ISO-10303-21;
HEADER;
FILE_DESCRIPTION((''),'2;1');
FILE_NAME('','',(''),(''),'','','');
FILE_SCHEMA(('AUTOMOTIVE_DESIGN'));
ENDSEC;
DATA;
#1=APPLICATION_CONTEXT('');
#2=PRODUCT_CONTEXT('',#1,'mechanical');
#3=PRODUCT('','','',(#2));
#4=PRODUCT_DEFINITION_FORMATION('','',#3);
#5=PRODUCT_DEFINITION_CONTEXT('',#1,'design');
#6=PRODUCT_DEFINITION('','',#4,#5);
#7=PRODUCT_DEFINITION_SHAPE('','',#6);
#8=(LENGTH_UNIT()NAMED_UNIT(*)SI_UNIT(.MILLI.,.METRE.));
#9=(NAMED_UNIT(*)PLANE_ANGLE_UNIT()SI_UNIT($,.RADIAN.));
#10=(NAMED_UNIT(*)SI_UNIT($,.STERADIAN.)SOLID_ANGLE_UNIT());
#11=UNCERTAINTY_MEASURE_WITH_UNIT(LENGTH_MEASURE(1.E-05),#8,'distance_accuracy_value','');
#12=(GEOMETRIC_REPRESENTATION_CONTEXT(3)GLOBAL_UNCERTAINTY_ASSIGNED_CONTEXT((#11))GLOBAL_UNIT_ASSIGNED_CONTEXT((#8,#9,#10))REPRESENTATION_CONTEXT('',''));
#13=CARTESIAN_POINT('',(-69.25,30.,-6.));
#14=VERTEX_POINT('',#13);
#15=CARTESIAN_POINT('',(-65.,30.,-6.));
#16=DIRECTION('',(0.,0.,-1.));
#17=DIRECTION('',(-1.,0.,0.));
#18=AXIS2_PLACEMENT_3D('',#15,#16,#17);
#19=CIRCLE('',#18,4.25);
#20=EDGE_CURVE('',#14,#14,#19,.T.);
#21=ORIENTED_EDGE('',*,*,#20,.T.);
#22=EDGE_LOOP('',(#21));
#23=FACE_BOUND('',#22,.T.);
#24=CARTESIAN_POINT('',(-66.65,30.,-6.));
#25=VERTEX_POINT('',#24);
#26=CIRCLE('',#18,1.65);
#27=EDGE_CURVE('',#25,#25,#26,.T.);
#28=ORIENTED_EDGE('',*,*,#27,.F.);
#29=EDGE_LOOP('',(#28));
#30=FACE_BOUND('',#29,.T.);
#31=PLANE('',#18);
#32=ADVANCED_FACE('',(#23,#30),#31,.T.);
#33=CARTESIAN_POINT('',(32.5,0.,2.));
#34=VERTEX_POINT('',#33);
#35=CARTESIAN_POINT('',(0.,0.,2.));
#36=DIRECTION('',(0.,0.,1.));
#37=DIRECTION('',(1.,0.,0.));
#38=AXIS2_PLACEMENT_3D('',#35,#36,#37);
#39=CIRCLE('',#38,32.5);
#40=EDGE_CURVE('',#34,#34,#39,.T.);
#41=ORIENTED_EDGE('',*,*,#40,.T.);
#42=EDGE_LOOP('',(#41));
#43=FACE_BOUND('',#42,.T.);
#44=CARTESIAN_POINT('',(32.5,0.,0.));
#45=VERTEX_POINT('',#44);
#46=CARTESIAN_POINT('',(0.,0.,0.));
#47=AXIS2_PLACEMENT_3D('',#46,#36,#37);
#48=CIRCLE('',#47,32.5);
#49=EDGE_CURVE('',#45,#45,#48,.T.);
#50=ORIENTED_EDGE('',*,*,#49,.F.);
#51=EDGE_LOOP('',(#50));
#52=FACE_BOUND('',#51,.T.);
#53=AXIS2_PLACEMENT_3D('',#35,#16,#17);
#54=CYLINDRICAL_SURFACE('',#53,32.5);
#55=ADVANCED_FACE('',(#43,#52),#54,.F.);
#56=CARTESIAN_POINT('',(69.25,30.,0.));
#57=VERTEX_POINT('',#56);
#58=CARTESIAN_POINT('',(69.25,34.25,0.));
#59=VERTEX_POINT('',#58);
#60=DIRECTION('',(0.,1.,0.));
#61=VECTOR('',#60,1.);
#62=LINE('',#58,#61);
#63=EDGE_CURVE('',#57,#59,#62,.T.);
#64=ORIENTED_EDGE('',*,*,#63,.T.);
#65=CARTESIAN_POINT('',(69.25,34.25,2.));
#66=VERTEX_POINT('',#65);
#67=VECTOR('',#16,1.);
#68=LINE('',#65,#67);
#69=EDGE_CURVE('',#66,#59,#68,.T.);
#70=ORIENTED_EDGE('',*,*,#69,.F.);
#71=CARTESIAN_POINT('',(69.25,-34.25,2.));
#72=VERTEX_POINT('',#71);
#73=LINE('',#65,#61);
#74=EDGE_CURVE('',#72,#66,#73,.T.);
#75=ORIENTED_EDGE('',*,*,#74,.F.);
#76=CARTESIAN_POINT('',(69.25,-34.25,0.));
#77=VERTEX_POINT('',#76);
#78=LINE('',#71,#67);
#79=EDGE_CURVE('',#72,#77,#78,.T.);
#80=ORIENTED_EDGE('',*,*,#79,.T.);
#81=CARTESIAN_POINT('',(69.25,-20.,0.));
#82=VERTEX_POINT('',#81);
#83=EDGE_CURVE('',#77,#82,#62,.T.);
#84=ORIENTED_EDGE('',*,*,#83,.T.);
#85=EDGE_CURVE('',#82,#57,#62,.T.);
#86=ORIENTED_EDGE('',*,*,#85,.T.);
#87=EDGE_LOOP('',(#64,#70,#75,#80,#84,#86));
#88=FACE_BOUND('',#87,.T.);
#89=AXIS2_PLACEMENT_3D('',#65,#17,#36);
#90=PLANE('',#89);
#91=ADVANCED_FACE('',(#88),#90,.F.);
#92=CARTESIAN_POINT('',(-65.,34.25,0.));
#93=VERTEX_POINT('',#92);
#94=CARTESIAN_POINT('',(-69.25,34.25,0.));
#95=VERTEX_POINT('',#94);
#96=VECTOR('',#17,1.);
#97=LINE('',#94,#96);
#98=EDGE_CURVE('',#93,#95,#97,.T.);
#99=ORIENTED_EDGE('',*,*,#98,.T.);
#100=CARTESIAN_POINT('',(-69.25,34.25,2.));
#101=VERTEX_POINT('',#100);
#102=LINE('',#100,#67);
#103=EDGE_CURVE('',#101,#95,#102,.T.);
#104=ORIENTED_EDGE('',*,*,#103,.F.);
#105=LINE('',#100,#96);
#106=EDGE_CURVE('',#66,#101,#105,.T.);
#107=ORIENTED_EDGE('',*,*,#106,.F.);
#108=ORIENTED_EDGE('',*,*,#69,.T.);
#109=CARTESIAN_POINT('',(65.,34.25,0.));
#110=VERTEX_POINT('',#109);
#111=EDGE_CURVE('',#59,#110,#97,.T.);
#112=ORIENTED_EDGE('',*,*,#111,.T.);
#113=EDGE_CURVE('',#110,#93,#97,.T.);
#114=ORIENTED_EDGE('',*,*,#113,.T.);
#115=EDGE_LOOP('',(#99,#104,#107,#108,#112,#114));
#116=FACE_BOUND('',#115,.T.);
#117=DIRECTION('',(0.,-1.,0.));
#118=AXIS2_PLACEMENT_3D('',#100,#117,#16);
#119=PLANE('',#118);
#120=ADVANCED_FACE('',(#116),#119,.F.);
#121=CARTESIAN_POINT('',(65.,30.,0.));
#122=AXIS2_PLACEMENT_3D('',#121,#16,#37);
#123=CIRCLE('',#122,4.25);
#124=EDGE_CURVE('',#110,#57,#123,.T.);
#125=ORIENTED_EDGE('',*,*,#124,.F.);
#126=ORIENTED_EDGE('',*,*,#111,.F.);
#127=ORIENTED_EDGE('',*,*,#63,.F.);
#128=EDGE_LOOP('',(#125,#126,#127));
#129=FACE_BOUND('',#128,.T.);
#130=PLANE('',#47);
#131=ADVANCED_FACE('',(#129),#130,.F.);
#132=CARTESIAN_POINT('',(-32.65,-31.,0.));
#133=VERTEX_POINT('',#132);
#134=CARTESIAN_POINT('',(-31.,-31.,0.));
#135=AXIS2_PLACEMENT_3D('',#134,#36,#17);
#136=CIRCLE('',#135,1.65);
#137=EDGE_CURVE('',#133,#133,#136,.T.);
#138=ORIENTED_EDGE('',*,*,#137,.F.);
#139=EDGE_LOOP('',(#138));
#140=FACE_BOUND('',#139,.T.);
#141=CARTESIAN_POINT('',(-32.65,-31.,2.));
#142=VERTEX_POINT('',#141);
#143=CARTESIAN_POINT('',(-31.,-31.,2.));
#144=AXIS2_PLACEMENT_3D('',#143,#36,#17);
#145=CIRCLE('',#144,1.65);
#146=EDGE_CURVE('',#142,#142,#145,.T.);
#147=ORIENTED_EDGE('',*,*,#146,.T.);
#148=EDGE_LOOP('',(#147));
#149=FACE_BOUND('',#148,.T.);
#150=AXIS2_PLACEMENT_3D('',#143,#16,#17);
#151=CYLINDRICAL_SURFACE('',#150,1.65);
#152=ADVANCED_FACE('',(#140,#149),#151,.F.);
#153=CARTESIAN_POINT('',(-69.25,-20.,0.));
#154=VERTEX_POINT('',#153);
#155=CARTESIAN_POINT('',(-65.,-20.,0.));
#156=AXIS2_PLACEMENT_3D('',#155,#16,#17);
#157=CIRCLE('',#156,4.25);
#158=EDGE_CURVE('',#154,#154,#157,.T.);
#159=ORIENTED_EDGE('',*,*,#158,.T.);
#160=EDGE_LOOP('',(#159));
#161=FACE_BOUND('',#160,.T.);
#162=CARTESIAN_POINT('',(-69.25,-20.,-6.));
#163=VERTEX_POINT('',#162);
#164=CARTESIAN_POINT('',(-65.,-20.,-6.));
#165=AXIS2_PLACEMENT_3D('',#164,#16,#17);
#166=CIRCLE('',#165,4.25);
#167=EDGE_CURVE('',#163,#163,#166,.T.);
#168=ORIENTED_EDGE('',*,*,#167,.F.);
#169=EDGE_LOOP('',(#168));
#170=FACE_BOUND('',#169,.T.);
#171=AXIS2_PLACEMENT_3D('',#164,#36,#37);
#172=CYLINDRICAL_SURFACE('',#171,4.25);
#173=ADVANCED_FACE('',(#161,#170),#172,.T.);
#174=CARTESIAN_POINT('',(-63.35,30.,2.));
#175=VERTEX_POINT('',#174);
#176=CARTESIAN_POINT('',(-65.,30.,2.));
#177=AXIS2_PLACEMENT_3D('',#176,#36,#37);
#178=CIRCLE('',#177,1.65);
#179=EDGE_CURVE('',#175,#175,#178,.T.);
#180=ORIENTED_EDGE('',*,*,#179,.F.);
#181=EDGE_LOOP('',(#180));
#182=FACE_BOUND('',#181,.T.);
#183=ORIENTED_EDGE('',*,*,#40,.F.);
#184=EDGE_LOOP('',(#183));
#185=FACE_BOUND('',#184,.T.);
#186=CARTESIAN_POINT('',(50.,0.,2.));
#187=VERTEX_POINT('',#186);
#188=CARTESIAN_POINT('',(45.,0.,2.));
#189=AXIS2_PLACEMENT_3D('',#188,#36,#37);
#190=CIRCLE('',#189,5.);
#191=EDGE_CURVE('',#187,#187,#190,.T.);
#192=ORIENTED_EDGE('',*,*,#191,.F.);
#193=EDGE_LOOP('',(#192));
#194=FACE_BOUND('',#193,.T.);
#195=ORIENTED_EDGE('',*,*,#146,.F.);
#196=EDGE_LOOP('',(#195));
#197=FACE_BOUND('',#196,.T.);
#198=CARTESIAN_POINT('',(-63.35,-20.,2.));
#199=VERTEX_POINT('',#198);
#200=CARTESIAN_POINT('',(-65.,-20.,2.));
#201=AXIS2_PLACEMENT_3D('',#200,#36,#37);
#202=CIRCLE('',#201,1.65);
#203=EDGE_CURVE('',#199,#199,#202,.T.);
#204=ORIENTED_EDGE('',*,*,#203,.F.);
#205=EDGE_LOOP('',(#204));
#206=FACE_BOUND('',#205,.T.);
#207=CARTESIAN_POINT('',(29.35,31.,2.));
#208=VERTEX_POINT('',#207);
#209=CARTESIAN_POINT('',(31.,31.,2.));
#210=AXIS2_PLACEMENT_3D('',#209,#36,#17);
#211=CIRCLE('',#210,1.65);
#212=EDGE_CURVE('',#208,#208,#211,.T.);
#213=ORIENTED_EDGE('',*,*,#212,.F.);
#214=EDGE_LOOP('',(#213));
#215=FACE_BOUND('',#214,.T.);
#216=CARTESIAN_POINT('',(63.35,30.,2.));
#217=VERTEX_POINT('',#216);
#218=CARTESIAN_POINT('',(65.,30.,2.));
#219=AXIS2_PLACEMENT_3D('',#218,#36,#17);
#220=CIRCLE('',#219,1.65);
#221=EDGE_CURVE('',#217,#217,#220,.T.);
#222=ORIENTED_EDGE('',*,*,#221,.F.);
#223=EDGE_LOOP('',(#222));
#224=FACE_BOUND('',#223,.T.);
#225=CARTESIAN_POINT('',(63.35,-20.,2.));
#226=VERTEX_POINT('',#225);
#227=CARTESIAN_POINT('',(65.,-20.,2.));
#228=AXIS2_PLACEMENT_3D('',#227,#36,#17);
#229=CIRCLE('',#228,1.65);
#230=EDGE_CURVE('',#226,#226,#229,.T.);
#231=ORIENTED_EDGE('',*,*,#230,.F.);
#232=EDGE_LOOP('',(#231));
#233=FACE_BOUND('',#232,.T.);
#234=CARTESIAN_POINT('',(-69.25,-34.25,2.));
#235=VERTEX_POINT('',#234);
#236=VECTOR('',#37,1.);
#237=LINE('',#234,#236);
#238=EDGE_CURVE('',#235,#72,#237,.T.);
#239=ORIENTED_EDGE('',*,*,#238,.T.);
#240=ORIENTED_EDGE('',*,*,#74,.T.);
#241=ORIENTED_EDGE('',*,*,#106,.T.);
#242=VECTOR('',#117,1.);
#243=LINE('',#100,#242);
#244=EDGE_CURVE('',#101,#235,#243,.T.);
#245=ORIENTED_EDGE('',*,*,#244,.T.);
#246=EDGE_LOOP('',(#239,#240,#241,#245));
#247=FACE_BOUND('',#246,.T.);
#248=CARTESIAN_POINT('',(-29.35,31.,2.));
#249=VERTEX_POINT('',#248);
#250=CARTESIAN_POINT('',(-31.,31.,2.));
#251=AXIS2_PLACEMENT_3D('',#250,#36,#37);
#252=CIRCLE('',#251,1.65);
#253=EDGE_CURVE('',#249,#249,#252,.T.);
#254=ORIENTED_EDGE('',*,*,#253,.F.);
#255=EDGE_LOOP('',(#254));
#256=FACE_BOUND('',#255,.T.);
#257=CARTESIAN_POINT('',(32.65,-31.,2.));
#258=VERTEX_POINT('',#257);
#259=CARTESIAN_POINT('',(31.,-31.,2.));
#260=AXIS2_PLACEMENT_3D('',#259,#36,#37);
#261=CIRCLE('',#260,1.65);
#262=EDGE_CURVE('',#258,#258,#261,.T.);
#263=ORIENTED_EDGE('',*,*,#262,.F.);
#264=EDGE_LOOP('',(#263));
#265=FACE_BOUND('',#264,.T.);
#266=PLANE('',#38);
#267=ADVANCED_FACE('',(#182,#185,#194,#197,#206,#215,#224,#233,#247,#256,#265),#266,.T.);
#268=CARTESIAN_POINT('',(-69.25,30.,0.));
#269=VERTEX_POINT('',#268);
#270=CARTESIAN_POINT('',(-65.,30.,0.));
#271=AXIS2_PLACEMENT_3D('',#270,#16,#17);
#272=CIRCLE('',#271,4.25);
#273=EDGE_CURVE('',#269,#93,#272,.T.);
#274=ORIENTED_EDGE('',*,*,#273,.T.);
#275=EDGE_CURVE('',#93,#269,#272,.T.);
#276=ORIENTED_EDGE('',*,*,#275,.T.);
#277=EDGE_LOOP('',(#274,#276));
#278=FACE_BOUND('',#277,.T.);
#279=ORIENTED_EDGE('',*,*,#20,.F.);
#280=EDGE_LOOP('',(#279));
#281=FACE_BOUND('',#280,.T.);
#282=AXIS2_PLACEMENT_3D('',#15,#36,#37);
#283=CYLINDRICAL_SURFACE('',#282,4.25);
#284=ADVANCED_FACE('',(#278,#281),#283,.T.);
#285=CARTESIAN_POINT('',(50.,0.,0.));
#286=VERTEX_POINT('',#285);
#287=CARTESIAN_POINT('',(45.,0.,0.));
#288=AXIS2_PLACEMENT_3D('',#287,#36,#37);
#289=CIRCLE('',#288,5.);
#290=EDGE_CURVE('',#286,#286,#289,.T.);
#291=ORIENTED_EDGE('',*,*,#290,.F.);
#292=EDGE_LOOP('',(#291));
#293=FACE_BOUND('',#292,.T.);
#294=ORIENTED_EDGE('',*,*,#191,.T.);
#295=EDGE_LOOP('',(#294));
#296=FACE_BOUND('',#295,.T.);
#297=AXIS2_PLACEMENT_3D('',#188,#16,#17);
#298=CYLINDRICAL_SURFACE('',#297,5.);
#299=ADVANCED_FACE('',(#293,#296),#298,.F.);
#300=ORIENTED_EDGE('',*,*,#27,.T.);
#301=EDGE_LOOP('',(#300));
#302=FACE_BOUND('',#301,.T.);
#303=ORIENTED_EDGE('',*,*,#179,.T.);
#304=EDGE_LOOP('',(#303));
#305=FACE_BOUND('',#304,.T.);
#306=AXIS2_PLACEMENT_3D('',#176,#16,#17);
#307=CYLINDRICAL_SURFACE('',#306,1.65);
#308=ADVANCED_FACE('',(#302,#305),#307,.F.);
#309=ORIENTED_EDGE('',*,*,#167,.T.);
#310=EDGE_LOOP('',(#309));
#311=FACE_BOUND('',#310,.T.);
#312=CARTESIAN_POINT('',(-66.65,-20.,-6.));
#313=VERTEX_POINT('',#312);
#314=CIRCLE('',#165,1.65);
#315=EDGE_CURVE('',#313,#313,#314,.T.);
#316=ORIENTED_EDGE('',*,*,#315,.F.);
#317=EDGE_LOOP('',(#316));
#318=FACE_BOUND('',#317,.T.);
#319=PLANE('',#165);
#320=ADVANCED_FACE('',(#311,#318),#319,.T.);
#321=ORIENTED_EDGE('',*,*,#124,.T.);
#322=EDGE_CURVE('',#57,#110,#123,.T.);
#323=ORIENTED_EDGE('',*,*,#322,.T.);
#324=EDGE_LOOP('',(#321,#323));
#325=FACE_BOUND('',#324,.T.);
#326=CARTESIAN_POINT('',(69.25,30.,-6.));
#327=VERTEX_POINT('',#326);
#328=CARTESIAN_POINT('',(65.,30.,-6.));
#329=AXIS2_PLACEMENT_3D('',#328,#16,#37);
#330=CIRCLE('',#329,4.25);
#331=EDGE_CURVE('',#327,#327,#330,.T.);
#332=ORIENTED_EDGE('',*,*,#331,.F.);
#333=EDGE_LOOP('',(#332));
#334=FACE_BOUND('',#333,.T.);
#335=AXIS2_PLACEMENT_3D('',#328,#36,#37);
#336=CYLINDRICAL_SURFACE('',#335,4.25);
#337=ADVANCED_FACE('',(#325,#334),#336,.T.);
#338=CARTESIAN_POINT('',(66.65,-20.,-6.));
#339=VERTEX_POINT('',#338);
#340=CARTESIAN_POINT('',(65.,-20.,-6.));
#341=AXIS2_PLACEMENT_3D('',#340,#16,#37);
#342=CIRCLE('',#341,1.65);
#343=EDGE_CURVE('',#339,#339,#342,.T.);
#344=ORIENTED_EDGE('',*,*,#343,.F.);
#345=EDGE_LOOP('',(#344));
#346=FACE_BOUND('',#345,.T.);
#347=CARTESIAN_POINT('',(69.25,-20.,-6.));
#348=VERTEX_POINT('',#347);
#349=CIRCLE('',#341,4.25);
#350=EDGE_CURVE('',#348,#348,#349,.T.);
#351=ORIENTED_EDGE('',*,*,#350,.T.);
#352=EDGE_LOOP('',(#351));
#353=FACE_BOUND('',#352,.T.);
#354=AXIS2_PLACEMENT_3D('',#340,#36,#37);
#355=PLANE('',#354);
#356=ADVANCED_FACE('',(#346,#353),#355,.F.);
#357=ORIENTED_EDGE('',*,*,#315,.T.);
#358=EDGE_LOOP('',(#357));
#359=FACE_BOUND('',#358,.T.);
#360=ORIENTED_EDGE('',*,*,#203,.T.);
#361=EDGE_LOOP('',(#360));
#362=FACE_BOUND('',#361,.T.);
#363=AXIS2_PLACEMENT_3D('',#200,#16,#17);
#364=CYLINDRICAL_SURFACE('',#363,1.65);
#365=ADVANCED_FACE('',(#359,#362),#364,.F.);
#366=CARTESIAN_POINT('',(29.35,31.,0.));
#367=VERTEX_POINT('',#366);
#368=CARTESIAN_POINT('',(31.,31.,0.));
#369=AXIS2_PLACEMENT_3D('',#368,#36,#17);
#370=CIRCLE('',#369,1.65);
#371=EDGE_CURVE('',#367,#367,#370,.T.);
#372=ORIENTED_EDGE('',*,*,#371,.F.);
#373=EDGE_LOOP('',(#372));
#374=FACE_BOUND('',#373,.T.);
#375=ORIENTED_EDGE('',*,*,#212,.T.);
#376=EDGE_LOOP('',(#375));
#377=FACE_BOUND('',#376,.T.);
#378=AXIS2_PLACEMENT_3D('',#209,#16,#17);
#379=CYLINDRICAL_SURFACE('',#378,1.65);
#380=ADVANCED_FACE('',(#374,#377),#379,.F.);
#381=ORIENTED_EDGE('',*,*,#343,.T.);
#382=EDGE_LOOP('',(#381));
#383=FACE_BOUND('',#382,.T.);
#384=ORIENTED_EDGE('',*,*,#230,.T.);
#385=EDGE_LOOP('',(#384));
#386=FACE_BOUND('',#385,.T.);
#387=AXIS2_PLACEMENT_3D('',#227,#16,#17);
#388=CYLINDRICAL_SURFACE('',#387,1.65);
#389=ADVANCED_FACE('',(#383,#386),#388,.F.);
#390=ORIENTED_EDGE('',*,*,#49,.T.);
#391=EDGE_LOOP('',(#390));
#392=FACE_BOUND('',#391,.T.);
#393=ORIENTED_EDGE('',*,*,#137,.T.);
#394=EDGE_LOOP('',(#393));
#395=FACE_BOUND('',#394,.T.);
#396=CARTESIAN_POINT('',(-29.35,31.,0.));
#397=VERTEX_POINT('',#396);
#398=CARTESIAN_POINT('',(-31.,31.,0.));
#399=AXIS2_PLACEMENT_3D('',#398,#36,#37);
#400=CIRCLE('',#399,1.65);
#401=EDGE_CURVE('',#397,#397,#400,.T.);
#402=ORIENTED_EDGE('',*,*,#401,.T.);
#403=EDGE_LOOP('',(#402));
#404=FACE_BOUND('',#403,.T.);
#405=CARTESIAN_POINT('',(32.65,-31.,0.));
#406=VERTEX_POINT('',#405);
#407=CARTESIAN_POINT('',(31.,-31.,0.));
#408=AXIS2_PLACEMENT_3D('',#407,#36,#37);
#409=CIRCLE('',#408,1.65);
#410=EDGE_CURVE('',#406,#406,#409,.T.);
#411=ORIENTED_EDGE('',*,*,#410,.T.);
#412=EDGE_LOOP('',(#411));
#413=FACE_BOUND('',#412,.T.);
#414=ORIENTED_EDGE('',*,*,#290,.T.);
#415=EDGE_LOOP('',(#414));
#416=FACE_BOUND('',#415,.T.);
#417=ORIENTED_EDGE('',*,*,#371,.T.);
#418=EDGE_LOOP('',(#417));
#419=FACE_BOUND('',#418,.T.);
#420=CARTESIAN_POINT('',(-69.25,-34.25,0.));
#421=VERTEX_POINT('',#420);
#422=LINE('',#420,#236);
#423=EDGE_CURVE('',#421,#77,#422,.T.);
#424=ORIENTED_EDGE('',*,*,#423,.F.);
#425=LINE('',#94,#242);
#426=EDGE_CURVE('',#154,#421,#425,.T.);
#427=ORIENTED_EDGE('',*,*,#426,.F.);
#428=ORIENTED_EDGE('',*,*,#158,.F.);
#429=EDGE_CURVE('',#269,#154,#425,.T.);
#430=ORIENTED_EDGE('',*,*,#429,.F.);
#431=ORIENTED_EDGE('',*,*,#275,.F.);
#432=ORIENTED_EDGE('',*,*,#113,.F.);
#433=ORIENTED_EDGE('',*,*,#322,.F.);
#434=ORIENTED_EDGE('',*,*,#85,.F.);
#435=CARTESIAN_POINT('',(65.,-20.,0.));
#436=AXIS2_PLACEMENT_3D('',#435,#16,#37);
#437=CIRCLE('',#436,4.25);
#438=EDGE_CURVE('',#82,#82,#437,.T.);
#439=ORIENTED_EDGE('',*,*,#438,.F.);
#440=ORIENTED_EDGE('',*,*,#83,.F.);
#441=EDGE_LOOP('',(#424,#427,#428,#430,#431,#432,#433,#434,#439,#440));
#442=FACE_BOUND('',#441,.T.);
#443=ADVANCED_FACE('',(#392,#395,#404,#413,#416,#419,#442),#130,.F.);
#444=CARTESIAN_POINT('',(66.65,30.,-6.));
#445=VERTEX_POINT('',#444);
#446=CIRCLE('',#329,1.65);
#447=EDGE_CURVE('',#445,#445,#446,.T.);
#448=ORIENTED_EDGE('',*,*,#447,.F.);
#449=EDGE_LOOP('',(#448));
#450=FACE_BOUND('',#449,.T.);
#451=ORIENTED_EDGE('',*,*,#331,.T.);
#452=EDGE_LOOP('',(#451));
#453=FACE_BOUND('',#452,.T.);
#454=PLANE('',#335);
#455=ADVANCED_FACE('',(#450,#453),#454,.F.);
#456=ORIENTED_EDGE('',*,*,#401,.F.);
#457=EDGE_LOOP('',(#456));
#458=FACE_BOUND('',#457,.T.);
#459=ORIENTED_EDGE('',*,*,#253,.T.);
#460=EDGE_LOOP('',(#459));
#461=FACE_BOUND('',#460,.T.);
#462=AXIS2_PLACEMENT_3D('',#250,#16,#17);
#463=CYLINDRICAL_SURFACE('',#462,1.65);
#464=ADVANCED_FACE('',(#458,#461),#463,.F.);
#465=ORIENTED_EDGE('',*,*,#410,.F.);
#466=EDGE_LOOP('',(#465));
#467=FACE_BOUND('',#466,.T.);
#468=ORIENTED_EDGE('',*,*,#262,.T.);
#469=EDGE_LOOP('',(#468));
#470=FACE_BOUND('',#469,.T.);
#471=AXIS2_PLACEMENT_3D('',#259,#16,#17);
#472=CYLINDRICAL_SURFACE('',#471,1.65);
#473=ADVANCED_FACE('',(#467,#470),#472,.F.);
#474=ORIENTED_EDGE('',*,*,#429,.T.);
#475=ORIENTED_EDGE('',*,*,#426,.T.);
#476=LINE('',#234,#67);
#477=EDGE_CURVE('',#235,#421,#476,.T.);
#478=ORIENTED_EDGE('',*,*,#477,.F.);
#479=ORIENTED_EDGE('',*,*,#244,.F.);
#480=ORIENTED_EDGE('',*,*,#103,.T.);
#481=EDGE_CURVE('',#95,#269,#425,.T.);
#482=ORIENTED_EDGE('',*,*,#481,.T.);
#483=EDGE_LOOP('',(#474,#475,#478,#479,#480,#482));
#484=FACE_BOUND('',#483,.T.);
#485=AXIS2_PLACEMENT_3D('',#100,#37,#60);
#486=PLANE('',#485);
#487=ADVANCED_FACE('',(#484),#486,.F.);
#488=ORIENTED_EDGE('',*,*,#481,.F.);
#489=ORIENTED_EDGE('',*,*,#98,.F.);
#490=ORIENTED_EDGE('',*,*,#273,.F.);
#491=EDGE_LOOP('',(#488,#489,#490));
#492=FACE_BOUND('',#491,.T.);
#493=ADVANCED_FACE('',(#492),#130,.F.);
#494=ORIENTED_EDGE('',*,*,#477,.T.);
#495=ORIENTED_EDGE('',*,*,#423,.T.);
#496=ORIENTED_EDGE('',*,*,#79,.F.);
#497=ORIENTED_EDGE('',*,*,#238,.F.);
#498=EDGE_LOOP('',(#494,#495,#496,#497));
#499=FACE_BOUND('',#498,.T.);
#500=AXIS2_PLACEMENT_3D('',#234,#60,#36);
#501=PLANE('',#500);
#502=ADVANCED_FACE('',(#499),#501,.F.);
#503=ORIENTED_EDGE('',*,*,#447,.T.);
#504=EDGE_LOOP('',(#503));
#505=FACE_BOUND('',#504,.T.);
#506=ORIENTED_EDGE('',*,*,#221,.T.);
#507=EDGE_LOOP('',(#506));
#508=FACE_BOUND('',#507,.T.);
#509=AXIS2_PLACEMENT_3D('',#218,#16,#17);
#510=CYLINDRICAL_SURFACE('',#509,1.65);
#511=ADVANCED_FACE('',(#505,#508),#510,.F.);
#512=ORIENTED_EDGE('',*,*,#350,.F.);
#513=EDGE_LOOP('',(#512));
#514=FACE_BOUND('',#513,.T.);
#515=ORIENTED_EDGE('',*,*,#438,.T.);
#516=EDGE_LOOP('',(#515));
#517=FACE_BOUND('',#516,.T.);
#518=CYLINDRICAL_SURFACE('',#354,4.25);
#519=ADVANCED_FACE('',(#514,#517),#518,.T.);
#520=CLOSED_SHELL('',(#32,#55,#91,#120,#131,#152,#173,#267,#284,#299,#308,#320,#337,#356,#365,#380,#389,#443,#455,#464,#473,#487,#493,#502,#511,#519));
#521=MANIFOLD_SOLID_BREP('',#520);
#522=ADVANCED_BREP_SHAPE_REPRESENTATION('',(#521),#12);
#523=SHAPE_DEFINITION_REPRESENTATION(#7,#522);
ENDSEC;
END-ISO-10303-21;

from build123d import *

# Parameters (mm, degrees)
ESBO_O1_W                = 138.5
ESBO_O1_H                = 68.5
ESBO_O1_R                = 1.65
ESBO_O1_R_2              = 32.5
ESBO_O1_R_3              = 5
RESSALTO_EXTRUS_O1_DEPTH = 2
ESBO_O2_R                = 4.25
ESBO_O2_R_2              = 1.65
RESSALTO_EXTRUS_O2_DEPTH = 6


with BuildPart() as part:
    # Esboço1 → Ressalto-extrusão1 (new body)
    with BuildSketch(Plane.XY):
        Rectangle(ESBO_O1_W, ESBO_O1_H)
        with Locations((-65, 30)):
            Circle(ESBO_O1_R, mode=Mode.SUBTRACT)
        with Locations((-65, -20)):
            Circle(ESBO_O1_R, mode=Mode.SUBTRACT)
        with Locations((65, -20)):
            Circle(ESBO_O1_R, mode=Mode.SUBTRACT)
        with Locations((65, 30)):
            Circle(ESBO_O1_R, mode=Mode.SUBTRACT)
        Circle(ESBO_O1_R_2, mode=Mode.SUBTRACT)
        with Locations((-31, 31)):
            Circle(ESBO_O1_R, mode=Mode.SUBTRACT)
        with Locations((-31, -31)):
            Circle(ESBO_O1_R, mode=Mode.SUBTRACT)
        with Locations((31, -31)):
            Circle(ESBO_O1_R, mode=Mode.SUBTRACT)
        with Locations((31, 31)):
            Circle(ESBO_O1_R, mode=Mode.SUBTRACT)
        with Locations((45, 0)):
            Circle(ESBO_O1_R_3, mode=Mode.SUBTRACT)
    extrude(amount=RESSALTO_EXTRUS_O1_DEPTH)

    # Esboço2 → Ressalto-extrusão2 (add)
    with BuildSketch(Plane(origin=(0, 0, 0), x_dir=(-1, 0, 0), z_dir=(0, 0, -1))):
        with Locations((65, 30)):
            Circle(ESBO_O2_R)
        with Locations((65, 30)):
            Circle(ESBO_O2_R_2, mode=Mode.SUBTRACT)
        with Locations((65, -20)):
            Circle(ESBO_O2_R)
        with Locations((65, -20)):
            Circle(ESBO_O2_R_2, mode=Mode.SUBTRACT)
        with Locations((-65, -20)):
            Circle(ESBO_O2_R)
        with Locations((-65, -20)):
            Circle(ESBO_O2_R_2, mode=Mode.SUBTRACT)
        with Locations((-65, 30)):
            Circle(ESBO_O2_R)
        with Locations((-65, 30)):
            Circle(ESBO_O2_R_2, mode=Mode.SUBTRACT)
    extrude(amount=RESSALTO_EXTRUS_O2_DEPTH)


solid = part.part
